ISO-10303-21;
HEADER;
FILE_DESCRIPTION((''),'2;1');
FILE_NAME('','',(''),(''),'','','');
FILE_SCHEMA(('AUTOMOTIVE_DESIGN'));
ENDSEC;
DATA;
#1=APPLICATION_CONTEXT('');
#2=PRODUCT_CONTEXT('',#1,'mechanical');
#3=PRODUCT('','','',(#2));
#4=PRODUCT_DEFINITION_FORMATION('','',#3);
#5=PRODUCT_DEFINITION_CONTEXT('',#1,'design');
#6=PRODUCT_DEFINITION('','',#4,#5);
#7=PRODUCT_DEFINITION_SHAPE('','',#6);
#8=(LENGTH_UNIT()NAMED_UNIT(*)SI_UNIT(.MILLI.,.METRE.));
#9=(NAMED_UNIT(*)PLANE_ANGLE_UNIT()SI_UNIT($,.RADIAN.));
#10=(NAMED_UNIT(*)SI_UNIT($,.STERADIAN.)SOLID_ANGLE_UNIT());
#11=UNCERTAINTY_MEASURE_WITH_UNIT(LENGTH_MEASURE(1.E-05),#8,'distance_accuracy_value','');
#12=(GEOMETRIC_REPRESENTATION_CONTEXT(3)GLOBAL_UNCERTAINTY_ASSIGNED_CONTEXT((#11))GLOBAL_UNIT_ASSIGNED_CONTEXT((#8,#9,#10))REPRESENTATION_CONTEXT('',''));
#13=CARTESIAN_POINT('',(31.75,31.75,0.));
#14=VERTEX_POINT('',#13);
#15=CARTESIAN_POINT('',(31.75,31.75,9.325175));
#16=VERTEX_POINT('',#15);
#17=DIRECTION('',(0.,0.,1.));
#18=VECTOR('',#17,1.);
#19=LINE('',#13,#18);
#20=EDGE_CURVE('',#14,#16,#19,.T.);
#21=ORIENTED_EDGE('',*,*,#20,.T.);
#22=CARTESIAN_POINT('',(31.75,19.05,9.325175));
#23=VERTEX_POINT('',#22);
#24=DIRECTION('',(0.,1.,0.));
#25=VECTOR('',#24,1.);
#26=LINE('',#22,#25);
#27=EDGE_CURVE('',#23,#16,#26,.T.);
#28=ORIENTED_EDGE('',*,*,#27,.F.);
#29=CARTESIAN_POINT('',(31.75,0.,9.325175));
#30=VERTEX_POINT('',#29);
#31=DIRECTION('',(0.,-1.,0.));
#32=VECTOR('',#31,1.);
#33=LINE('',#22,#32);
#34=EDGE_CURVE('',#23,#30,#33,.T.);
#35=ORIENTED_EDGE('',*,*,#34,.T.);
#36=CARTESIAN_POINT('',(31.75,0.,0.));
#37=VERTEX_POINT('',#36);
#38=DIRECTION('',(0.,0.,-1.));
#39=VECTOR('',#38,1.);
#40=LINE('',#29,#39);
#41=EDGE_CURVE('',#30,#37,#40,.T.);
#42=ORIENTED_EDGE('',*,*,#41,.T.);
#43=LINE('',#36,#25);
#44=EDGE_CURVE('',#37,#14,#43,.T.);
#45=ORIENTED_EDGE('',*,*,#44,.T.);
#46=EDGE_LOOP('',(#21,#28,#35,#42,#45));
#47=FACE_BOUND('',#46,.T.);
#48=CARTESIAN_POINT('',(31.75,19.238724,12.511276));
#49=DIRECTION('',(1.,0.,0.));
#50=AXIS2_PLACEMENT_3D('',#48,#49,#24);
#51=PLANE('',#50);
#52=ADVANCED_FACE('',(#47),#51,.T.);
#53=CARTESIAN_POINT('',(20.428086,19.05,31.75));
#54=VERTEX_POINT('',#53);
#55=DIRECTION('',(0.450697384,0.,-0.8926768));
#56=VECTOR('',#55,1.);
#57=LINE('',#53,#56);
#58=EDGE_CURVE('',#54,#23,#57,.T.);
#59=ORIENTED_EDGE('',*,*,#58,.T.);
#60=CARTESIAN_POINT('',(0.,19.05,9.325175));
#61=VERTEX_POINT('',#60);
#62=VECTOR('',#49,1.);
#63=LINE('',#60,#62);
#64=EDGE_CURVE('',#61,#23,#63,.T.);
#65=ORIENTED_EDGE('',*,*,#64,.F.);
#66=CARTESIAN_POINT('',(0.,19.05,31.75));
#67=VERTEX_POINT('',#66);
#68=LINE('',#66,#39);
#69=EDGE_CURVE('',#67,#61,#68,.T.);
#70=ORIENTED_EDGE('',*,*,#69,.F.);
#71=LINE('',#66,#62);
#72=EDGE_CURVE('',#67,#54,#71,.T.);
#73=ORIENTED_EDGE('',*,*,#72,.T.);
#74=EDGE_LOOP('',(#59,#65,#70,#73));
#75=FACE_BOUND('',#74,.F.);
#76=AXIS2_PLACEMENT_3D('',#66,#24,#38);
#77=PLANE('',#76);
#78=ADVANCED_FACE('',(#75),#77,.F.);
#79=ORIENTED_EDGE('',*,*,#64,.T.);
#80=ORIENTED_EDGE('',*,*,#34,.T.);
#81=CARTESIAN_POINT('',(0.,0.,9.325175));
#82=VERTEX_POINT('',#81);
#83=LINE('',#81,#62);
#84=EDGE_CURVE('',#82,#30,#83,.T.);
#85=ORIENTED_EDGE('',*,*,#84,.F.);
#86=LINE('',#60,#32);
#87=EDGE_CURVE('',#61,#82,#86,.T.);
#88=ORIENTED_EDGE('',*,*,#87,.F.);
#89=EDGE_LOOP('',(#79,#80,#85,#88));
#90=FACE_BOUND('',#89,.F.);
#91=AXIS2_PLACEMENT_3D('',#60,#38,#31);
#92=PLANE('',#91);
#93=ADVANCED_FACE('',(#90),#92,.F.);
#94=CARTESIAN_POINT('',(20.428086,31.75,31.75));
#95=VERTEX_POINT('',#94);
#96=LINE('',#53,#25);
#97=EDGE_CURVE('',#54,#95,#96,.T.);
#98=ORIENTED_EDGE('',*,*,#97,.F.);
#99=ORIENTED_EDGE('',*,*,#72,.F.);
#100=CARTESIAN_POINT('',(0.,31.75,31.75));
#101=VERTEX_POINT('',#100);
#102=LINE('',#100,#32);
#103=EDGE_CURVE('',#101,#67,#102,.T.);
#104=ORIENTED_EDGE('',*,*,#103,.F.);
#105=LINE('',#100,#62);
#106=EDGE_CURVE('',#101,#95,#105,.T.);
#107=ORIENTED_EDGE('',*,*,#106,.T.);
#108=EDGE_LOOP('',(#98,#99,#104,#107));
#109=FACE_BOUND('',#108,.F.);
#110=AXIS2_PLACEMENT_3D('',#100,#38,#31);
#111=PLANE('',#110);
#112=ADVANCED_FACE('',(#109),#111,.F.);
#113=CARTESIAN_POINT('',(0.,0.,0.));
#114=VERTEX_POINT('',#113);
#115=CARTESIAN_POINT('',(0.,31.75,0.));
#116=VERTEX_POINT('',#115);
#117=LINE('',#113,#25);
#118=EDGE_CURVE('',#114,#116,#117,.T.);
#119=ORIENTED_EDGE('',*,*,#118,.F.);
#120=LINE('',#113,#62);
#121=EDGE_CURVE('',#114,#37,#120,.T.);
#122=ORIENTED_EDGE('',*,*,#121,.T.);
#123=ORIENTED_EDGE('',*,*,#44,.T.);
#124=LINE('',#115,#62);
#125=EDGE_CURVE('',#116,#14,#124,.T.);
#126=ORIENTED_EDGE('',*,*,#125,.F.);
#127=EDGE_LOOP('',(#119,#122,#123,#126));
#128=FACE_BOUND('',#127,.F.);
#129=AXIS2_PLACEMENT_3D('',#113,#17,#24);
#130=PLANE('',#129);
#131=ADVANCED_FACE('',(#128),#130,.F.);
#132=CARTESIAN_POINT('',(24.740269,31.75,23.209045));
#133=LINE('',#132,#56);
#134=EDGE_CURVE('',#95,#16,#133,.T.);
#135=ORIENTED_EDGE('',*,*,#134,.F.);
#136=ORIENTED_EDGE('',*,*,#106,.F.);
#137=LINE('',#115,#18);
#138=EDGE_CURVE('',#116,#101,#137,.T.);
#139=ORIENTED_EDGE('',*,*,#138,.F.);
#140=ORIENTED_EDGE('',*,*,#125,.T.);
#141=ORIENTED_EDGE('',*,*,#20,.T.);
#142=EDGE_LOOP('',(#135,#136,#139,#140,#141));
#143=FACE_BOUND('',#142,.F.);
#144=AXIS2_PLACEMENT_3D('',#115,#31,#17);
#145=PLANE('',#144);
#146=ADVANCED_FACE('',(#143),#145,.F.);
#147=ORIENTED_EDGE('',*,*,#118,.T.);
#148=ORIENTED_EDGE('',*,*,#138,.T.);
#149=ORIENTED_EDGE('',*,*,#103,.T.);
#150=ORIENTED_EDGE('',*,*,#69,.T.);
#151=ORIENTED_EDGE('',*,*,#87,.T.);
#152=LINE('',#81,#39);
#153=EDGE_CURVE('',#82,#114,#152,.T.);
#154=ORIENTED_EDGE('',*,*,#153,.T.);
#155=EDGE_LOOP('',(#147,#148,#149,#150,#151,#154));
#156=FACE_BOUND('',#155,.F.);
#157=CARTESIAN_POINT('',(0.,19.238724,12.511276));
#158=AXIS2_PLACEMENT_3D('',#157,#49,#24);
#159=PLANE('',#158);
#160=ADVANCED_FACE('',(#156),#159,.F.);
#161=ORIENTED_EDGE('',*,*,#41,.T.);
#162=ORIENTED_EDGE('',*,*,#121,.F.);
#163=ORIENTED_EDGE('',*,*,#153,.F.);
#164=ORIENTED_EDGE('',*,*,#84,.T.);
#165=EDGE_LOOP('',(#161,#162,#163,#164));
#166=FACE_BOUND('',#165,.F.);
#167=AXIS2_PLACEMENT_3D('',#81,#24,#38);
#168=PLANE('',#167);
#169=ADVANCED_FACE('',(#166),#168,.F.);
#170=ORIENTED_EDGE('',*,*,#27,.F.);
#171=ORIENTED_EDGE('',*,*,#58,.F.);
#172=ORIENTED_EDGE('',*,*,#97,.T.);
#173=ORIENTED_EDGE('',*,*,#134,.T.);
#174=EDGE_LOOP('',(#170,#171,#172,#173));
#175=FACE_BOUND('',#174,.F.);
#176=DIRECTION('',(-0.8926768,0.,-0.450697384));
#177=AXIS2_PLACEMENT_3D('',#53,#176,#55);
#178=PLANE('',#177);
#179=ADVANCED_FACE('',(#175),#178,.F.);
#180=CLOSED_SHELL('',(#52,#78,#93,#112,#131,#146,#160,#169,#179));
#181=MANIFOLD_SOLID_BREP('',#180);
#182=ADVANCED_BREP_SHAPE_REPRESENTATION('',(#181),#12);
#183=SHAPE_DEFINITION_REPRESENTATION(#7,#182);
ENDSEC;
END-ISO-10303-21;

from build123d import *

# Parameters (mm, degrees)
F1_DEPTH = 31.75
F3_DEPTH = 25.4


with BuildPart() as f1:
    # F0 (on Right) → F1 (new body)
    with BuildSketch(Plane.YZ):
        Polygon((0, 9.325175), (0, 0), (31.75, 0), (31.75, 31.75), (19.05, 31.75), (19.05, 9.325175), align=None)
    extrude(amount=F1_DEPTH)

    # F2 (on face) → F3 (cut)
    with BuildSketch(Plane.XZ.offset(-19.05)):
        Polygon((31.75, 31.75), (20.428086, 31.75), (31.75, 9.325175), align=None)
    extrude(amount=-F3_DEPTH, mode=Mode.SUBTRACT)


solid = f1.part
